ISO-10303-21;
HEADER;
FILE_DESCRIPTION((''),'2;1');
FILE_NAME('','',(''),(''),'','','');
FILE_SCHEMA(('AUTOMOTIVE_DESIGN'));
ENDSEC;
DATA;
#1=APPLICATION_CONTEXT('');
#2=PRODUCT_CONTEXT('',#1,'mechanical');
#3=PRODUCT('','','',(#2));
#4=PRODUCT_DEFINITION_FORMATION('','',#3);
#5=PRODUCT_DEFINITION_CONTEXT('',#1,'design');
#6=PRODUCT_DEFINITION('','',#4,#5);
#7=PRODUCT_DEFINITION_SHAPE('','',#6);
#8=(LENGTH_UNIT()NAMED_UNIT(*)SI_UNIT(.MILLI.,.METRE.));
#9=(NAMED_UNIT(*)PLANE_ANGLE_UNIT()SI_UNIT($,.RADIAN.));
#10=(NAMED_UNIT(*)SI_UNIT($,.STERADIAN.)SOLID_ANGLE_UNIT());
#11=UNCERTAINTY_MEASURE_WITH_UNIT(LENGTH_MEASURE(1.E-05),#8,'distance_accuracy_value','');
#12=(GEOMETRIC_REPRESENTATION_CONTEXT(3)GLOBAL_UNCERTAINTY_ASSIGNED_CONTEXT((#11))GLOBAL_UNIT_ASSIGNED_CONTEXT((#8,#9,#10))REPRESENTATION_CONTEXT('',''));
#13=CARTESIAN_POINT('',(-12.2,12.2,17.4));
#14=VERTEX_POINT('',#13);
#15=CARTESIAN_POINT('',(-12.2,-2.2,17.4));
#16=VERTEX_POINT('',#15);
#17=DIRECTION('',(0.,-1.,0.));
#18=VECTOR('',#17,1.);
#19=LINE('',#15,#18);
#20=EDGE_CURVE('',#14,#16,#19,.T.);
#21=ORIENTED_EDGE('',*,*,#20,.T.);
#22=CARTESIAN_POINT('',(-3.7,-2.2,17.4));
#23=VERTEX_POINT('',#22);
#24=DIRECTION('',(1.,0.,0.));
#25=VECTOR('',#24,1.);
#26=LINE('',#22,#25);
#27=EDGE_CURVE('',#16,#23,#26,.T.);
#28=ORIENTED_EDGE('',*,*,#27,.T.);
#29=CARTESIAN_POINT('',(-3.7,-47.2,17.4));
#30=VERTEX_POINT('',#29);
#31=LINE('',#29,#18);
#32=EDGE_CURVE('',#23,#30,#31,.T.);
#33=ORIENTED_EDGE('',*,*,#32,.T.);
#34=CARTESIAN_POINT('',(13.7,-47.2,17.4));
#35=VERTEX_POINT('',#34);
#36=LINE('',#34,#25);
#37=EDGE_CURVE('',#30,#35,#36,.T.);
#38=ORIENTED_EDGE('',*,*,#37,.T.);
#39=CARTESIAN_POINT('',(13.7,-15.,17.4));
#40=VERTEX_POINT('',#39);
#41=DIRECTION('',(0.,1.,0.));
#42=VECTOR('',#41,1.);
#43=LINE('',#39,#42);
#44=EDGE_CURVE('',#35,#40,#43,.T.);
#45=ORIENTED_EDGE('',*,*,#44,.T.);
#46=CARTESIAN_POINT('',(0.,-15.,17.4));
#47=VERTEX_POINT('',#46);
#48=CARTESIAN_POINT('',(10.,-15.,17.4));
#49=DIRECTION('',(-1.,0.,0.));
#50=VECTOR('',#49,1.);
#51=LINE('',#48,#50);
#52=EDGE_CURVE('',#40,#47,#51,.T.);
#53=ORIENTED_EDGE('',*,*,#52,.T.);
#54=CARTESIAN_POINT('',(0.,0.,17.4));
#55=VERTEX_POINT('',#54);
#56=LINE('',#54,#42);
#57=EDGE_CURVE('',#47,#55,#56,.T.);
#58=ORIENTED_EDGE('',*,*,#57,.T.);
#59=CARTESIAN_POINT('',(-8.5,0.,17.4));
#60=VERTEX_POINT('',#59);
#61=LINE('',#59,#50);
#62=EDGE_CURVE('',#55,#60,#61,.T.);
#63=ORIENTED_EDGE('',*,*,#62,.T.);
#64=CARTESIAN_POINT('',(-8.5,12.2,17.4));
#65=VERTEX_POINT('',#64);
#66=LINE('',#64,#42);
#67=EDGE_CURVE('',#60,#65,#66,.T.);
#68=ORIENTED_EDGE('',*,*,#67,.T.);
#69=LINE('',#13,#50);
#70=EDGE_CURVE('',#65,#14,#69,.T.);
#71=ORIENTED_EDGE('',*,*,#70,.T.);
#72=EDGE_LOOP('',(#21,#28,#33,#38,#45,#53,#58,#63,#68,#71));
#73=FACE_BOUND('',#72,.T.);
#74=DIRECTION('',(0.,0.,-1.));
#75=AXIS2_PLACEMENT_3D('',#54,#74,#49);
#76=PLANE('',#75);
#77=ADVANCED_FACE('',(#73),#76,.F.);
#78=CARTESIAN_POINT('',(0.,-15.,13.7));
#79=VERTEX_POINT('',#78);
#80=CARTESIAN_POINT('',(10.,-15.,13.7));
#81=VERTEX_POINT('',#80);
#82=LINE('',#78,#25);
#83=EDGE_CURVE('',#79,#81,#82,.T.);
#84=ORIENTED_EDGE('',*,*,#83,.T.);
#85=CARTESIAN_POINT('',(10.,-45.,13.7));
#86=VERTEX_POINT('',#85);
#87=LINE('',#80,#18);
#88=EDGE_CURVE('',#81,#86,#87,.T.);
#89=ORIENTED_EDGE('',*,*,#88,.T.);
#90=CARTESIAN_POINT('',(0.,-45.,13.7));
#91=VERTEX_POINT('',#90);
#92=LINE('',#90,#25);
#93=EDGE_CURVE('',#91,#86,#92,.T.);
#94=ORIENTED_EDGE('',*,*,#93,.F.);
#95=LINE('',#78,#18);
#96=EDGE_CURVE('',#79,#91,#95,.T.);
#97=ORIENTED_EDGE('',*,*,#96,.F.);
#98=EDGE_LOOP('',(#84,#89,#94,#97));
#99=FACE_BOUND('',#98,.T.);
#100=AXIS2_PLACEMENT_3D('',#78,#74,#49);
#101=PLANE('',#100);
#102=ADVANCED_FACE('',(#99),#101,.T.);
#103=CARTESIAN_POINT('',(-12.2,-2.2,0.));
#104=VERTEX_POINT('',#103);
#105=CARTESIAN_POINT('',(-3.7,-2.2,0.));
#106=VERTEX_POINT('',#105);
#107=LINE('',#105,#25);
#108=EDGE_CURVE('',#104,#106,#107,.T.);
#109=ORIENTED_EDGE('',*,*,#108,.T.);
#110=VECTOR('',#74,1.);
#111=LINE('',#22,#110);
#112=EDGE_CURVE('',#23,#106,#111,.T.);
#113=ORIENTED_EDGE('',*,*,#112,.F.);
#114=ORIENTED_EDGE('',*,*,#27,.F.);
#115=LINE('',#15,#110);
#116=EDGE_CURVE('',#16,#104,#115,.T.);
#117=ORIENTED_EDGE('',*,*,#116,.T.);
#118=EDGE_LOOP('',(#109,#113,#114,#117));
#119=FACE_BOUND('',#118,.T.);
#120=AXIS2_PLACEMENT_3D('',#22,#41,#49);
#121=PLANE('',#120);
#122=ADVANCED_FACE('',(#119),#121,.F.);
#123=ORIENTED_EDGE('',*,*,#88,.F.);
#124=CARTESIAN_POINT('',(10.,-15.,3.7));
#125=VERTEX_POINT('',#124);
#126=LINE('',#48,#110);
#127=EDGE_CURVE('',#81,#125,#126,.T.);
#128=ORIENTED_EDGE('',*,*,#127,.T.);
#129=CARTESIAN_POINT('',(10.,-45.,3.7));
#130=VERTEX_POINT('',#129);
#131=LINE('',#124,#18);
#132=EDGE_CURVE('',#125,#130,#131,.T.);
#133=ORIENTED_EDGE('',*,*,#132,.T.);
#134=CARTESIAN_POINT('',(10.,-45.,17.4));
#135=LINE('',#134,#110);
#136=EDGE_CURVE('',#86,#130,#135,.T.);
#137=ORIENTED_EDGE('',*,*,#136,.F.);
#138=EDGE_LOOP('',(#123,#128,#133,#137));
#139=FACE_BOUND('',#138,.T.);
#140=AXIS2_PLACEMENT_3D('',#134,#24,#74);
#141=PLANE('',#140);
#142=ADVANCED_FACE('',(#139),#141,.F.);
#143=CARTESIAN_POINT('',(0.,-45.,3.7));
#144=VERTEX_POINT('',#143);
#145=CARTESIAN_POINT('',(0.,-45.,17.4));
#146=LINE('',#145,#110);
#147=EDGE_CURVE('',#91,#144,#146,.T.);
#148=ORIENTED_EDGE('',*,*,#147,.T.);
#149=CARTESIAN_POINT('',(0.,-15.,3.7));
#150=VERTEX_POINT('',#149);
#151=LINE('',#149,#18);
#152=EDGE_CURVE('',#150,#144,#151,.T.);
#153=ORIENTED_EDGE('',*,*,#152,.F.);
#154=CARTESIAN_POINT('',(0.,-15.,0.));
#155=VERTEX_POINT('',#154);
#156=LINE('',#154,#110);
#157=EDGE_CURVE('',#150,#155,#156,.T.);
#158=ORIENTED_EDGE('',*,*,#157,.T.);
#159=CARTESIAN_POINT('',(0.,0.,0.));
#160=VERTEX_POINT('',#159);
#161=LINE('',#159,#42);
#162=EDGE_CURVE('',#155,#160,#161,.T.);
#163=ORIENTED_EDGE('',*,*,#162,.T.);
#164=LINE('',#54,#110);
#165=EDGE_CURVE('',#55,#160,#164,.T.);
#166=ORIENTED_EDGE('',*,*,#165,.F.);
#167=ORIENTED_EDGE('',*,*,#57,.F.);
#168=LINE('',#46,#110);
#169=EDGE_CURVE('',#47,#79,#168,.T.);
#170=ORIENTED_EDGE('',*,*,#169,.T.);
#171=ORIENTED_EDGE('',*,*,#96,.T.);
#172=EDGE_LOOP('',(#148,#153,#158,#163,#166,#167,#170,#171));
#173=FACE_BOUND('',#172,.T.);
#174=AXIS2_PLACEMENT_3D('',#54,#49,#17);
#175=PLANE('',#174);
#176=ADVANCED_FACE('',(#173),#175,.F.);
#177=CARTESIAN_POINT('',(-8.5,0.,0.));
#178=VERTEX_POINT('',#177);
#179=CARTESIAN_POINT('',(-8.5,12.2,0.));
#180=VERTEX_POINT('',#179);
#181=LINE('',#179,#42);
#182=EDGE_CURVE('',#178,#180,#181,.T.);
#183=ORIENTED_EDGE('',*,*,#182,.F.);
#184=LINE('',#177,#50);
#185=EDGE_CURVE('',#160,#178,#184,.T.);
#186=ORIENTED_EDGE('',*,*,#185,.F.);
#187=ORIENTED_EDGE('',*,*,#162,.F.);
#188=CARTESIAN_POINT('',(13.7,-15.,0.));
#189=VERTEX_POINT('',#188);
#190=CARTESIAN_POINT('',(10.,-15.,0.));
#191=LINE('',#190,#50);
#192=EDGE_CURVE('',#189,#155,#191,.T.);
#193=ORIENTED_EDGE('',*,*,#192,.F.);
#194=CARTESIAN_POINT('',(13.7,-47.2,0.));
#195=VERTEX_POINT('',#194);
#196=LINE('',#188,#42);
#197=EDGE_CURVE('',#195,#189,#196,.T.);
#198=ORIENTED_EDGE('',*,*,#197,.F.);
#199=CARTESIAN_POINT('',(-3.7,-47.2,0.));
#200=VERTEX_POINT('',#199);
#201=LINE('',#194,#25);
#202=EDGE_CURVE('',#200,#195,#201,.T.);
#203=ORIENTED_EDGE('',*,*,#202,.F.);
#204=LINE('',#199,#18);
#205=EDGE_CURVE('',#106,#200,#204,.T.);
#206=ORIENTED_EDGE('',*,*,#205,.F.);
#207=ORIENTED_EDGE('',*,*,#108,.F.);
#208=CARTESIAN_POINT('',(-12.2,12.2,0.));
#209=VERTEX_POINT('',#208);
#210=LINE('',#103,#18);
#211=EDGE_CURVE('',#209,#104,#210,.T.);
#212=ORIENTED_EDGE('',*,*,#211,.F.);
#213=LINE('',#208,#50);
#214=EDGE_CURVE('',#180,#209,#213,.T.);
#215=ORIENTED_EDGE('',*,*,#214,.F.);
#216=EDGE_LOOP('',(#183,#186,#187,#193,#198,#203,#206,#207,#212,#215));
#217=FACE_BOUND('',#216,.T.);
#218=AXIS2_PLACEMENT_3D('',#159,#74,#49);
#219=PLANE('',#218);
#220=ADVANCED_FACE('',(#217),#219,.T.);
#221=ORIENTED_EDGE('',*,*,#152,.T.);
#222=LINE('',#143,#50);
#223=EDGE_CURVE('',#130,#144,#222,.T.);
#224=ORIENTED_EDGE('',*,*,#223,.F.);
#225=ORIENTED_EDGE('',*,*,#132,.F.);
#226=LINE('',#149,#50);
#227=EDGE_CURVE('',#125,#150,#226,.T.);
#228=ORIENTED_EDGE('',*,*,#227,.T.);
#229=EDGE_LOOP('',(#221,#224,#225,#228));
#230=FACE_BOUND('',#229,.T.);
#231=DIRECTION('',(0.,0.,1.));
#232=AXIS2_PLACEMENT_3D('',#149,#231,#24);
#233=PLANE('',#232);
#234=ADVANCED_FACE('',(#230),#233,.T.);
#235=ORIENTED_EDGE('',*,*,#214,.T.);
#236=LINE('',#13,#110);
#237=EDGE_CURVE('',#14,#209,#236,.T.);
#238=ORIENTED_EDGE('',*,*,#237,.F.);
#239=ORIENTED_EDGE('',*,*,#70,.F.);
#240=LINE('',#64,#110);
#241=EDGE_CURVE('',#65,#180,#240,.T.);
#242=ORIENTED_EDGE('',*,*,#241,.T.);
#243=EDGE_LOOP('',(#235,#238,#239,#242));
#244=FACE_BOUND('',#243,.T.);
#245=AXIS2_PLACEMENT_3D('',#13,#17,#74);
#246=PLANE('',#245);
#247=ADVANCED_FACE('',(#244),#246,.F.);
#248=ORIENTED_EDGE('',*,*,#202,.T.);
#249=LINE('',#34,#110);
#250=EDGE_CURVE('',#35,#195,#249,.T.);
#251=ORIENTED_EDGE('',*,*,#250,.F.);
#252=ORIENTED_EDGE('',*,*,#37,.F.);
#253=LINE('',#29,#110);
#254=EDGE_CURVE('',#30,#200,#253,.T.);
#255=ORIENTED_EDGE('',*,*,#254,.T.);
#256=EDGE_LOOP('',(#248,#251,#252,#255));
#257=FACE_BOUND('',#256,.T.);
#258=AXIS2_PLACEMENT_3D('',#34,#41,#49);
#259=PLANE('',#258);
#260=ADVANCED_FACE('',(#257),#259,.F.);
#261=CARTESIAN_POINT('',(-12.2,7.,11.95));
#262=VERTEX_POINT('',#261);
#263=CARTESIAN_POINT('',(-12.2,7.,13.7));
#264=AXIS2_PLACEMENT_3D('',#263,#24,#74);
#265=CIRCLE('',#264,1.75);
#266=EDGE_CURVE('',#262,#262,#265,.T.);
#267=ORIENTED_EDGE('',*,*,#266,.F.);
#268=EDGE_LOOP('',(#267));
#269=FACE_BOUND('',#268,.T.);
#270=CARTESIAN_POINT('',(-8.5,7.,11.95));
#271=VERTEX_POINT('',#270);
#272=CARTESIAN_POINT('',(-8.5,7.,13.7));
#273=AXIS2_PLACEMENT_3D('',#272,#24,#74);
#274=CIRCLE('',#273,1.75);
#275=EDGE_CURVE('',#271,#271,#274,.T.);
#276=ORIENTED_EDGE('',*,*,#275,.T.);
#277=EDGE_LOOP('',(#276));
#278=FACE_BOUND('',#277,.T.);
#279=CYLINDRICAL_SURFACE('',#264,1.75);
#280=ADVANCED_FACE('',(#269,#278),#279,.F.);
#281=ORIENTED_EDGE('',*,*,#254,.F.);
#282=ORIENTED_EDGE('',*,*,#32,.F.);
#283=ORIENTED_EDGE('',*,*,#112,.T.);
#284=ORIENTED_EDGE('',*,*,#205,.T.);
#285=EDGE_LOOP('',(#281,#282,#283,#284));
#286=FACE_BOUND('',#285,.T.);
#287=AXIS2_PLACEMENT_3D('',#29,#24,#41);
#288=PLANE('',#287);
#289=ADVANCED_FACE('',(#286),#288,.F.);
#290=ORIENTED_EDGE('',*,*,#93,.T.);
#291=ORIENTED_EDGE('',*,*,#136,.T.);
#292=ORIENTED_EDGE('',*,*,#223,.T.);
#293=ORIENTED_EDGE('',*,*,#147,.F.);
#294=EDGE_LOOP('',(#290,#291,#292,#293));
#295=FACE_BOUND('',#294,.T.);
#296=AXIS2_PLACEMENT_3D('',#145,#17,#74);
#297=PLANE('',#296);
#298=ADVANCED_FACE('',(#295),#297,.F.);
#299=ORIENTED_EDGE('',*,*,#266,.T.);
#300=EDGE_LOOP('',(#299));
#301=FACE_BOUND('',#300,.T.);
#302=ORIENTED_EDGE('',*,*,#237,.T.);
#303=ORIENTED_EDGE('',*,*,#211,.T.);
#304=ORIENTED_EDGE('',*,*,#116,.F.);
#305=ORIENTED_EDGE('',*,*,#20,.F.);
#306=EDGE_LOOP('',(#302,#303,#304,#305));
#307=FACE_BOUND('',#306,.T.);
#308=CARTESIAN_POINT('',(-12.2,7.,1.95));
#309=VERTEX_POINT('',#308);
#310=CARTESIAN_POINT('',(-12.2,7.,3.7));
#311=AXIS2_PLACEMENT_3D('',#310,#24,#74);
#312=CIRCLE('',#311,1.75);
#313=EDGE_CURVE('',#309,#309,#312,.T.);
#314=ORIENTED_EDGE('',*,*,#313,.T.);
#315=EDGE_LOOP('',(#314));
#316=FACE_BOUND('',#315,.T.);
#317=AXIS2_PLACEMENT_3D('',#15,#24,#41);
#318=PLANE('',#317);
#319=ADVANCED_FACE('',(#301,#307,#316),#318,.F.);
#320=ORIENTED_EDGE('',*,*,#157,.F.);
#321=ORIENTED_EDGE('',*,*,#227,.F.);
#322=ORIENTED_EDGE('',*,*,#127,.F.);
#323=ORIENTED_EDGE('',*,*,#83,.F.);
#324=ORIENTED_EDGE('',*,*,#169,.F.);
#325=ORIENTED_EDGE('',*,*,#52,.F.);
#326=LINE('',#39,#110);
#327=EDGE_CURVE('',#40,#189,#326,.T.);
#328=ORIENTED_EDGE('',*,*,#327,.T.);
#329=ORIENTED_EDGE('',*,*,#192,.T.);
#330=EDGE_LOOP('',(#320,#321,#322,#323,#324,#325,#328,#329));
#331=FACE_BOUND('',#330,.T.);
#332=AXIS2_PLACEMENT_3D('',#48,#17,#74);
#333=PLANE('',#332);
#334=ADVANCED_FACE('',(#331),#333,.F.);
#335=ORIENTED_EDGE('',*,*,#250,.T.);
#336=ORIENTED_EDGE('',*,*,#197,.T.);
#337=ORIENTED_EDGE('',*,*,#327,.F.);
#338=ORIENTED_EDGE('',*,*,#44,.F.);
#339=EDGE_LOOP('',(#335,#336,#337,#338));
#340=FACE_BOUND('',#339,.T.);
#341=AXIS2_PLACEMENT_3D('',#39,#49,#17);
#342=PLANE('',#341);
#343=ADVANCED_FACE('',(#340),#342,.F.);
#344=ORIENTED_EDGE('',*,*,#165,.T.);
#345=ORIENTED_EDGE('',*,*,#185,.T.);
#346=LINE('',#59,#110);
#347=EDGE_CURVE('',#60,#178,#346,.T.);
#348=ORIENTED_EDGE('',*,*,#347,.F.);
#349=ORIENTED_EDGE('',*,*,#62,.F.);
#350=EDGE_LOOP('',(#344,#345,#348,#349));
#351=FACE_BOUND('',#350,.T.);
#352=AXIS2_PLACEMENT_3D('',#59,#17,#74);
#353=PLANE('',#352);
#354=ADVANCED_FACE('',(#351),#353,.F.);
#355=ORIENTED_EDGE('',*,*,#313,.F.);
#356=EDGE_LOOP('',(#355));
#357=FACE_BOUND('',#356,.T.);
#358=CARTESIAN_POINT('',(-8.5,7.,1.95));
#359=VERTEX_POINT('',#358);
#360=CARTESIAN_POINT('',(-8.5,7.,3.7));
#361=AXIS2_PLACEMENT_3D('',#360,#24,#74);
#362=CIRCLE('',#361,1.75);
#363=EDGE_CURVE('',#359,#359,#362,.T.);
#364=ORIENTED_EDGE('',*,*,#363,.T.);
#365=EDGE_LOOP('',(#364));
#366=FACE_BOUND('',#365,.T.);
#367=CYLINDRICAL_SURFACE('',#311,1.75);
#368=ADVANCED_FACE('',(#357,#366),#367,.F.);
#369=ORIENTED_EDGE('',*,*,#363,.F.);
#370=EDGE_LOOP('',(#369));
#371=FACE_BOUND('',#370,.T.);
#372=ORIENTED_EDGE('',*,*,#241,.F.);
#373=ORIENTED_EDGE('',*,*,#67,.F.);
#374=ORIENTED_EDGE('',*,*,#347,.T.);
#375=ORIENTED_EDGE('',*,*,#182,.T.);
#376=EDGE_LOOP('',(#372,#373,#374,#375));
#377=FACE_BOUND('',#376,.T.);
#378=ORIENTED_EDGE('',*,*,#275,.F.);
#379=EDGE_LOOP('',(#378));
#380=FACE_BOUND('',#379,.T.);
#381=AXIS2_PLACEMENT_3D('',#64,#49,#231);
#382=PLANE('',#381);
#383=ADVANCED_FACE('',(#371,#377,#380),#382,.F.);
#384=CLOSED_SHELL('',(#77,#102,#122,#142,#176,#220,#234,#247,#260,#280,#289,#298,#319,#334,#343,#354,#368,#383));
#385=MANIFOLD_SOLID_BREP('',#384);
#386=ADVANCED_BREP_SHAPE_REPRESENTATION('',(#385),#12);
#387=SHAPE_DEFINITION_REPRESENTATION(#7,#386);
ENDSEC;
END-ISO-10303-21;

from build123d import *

# Parameters (mm, degrees)
BOSS_EXTRUDE1_DEPTH = 17.4
SKETCH3_W           = 10
SKETCH3_H           = 3.7
BOSS_EXTRUDE3_DEPTH = 30
SKETCH4_R           = 1.75
CUT_EXTRUDE1_DEPTH  = 55.985816353


with BuildPart() as part:
    # Sketch2 → Boss-Extrude1 (new body)
    with BuildSketch(Plane.XY):
        Polygon((-12.2, 12.2), (-8.5, 12.2), (-8.5, 0), (0, 0), (0, -45), (10, -45), (10, -15), (13.7, -15), (13.7, -47.2), (-3.7, -47.2), (-3.7, -2.2), (-12.2, -2.2), align=None)
    extrude(amount=BOSS_EXTRUDE1_DEPTH)

    # Sketch3 → Boss-Extrude3 (add)
    with BuildSketch(Plane.XZ.offset(45)):
        with Locations((5, 15.55)):
            Rectangle(SKETCH3_W, SKETCH3_H)
        with Locations((5, 1.85)):
            Rectangle(SKETCH3_W, SKETCH3_H)
    extrude(amount=-BOSS_EXTRUDE3_DEPTH)

    # Sketch4 → Cut-Extrude1 (cut, through all)
    with BuildSketch(Plane(origin=(-8.5, 0, 0), x_dir=(0, 0, -1), z_dir=(1, 0, 0))):
        with Locations((-13.7, 7)):
            Circle(SKETCH4_R)
        with Locations((-3.7, 7)):
            Circle(SKETCH4_R)
    extrude(amount=-CUT_EXTRUDE1_DEPTH, mode=Mode.SUBTRACT)


solid = part.part
